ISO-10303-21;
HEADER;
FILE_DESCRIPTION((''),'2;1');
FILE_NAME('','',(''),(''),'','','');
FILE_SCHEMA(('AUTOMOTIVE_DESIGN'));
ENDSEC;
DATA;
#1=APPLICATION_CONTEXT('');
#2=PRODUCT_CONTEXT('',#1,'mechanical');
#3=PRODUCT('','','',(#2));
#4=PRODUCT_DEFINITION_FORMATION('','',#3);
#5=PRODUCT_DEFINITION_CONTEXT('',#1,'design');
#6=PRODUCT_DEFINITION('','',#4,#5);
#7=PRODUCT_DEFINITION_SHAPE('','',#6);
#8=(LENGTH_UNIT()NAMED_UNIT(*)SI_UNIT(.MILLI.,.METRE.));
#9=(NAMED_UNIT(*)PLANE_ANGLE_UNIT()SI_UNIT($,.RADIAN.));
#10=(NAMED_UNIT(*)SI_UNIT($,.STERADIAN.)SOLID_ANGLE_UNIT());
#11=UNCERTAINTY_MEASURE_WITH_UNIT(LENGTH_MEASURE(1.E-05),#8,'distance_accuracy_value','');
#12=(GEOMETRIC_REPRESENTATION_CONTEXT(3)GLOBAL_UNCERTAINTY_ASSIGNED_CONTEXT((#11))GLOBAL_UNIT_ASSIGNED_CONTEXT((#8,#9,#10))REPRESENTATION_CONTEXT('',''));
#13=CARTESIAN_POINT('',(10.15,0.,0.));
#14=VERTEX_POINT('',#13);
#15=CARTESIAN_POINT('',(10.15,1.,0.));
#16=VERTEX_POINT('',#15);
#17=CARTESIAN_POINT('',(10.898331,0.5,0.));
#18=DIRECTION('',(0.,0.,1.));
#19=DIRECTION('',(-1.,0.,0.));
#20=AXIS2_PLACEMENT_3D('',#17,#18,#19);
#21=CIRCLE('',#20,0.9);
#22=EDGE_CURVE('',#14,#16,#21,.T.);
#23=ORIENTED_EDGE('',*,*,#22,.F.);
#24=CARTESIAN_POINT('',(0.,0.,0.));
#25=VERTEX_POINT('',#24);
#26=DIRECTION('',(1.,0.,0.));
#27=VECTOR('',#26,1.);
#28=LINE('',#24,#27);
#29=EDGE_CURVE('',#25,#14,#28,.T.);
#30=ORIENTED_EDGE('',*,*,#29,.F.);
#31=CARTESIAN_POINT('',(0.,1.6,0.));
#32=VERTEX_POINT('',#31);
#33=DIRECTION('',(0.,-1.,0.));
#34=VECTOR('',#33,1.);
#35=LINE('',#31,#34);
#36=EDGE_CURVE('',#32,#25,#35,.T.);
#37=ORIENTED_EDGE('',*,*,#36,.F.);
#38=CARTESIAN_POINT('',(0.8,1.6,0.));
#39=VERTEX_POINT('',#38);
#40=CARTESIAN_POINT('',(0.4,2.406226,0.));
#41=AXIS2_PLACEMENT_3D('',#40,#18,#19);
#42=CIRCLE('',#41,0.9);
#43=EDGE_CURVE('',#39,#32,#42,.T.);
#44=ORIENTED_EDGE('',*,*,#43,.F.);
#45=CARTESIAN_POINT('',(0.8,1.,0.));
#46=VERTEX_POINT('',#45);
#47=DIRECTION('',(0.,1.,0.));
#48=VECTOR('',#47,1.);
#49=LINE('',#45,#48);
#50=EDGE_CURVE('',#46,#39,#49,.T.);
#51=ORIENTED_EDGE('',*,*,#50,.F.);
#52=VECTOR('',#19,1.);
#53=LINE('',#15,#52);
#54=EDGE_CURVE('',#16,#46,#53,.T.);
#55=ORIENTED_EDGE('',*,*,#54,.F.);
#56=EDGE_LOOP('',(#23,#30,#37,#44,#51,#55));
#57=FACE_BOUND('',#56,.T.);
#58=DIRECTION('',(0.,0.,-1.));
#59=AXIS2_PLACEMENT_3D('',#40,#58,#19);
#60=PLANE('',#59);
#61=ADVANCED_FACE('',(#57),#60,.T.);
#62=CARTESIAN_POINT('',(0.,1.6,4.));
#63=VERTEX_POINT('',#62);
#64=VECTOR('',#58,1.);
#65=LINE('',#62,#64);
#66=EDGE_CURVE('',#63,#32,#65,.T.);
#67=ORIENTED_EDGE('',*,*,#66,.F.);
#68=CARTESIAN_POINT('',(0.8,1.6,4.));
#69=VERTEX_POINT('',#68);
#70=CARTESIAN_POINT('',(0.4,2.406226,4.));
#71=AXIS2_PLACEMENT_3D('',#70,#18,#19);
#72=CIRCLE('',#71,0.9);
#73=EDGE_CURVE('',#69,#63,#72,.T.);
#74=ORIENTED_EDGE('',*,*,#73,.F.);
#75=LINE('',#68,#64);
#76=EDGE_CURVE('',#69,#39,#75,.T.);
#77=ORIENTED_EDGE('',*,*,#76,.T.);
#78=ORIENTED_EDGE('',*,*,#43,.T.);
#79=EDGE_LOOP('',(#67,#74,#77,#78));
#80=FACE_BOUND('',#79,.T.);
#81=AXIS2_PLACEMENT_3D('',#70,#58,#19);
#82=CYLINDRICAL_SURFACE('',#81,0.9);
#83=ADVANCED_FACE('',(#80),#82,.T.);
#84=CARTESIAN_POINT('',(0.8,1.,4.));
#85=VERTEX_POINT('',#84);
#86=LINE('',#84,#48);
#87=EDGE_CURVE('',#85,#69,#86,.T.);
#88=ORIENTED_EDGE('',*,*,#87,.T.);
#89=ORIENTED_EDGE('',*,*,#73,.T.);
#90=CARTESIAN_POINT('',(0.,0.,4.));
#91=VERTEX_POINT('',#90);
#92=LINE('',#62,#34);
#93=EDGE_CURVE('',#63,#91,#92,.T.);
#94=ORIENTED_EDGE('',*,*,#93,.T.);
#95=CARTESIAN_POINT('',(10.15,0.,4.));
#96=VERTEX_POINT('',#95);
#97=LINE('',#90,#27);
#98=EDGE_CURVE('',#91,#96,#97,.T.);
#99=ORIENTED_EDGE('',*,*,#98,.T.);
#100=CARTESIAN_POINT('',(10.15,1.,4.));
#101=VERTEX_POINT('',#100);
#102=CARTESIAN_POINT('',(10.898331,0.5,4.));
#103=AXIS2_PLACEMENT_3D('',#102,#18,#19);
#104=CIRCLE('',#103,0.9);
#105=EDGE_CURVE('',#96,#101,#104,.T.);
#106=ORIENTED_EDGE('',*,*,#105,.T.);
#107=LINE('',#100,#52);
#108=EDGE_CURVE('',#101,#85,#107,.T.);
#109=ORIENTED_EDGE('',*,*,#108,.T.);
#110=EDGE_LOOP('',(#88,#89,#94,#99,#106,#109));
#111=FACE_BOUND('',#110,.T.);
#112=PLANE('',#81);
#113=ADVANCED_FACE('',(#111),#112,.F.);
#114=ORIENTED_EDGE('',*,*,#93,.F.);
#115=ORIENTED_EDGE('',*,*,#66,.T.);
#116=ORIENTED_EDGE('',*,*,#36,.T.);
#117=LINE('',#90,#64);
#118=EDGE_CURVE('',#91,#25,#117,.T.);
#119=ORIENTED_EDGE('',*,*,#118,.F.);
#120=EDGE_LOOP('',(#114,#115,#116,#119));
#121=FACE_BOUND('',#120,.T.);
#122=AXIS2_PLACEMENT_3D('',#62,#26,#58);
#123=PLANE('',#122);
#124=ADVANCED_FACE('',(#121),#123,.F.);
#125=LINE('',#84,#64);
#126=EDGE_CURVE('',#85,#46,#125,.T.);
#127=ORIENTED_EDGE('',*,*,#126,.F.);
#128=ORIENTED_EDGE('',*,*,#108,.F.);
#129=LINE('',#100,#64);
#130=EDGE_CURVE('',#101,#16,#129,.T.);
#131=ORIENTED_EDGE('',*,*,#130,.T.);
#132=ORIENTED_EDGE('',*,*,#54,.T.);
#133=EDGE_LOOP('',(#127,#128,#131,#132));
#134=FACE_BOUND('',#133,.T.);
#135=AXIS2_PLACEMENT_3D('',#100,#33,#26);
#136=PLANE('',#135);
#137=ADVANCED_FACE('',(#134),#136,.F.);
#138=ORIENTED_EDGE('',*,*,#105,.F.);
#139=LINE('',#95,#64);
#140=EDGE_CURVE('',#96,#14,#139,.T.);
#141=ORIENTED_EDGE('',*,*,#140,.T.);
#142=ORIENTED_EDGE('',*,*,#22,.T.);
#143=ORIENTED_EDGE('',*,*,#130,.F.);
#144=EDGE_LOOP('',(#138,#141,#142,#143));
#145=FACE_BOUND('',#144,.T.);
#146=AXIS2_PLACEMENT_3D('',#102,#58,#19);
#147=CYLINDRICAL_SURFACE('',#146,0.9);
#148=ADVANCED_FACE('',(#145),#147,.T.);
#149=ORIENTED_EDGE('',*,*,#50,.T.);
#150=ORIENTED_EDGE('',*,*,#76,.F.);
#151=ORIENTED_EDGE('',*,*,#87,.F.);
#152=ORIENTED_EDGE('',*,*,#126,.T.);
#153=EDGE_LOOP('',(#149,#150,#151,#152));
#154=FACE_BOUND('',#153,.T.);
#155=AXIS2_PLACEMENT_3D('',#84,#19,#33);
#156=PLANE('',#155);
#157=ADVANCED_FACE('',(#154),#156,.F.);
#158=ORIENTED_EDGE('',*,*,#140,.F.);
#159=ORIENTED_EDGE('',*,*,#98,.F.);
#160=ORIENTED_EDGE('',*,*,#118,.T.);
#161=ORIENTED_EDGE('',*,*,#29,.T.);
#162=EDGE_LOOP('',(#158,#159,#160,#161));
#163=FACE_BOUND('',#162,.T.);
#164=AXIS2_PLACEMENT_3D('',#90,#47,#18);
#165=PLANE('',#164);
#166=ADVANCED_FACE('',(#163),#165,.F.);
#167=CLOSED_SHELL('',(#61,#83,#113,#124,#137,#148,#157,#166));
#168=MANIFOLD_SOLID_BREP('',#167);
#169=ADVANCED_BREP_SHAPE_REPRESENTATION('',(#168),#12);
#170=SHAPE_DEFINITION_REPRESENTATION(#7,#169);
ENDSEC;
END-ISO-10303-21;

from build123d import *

# Parameters (mm, degrees)
BOSS_EXTRUDE1_DEPTH = 4


with BuildPart() as part:
    # Sketch1 → Boss-Extrude1 (new body)
    with BuildSketch(Plane.XY):
        with BuildLine():
            Line((0, 1.6), (0, 0))
            Line((0, 0), (10.15, 0))
            ThreePointArc((10.15, 0), (11.798331477, 0.5), (10.15, 1))
            Line((10.15, 1), (0.8, 1))
            Line((0.8, 1), (0.8, 1.6))
            ThreePointArc((0.8, 1.6), (0.4, 3.306225775), (0, 1.6))
        make_face()
    extrude(amount=BOSS_EXTRUDE1_DEPTH)


solid = part.part
